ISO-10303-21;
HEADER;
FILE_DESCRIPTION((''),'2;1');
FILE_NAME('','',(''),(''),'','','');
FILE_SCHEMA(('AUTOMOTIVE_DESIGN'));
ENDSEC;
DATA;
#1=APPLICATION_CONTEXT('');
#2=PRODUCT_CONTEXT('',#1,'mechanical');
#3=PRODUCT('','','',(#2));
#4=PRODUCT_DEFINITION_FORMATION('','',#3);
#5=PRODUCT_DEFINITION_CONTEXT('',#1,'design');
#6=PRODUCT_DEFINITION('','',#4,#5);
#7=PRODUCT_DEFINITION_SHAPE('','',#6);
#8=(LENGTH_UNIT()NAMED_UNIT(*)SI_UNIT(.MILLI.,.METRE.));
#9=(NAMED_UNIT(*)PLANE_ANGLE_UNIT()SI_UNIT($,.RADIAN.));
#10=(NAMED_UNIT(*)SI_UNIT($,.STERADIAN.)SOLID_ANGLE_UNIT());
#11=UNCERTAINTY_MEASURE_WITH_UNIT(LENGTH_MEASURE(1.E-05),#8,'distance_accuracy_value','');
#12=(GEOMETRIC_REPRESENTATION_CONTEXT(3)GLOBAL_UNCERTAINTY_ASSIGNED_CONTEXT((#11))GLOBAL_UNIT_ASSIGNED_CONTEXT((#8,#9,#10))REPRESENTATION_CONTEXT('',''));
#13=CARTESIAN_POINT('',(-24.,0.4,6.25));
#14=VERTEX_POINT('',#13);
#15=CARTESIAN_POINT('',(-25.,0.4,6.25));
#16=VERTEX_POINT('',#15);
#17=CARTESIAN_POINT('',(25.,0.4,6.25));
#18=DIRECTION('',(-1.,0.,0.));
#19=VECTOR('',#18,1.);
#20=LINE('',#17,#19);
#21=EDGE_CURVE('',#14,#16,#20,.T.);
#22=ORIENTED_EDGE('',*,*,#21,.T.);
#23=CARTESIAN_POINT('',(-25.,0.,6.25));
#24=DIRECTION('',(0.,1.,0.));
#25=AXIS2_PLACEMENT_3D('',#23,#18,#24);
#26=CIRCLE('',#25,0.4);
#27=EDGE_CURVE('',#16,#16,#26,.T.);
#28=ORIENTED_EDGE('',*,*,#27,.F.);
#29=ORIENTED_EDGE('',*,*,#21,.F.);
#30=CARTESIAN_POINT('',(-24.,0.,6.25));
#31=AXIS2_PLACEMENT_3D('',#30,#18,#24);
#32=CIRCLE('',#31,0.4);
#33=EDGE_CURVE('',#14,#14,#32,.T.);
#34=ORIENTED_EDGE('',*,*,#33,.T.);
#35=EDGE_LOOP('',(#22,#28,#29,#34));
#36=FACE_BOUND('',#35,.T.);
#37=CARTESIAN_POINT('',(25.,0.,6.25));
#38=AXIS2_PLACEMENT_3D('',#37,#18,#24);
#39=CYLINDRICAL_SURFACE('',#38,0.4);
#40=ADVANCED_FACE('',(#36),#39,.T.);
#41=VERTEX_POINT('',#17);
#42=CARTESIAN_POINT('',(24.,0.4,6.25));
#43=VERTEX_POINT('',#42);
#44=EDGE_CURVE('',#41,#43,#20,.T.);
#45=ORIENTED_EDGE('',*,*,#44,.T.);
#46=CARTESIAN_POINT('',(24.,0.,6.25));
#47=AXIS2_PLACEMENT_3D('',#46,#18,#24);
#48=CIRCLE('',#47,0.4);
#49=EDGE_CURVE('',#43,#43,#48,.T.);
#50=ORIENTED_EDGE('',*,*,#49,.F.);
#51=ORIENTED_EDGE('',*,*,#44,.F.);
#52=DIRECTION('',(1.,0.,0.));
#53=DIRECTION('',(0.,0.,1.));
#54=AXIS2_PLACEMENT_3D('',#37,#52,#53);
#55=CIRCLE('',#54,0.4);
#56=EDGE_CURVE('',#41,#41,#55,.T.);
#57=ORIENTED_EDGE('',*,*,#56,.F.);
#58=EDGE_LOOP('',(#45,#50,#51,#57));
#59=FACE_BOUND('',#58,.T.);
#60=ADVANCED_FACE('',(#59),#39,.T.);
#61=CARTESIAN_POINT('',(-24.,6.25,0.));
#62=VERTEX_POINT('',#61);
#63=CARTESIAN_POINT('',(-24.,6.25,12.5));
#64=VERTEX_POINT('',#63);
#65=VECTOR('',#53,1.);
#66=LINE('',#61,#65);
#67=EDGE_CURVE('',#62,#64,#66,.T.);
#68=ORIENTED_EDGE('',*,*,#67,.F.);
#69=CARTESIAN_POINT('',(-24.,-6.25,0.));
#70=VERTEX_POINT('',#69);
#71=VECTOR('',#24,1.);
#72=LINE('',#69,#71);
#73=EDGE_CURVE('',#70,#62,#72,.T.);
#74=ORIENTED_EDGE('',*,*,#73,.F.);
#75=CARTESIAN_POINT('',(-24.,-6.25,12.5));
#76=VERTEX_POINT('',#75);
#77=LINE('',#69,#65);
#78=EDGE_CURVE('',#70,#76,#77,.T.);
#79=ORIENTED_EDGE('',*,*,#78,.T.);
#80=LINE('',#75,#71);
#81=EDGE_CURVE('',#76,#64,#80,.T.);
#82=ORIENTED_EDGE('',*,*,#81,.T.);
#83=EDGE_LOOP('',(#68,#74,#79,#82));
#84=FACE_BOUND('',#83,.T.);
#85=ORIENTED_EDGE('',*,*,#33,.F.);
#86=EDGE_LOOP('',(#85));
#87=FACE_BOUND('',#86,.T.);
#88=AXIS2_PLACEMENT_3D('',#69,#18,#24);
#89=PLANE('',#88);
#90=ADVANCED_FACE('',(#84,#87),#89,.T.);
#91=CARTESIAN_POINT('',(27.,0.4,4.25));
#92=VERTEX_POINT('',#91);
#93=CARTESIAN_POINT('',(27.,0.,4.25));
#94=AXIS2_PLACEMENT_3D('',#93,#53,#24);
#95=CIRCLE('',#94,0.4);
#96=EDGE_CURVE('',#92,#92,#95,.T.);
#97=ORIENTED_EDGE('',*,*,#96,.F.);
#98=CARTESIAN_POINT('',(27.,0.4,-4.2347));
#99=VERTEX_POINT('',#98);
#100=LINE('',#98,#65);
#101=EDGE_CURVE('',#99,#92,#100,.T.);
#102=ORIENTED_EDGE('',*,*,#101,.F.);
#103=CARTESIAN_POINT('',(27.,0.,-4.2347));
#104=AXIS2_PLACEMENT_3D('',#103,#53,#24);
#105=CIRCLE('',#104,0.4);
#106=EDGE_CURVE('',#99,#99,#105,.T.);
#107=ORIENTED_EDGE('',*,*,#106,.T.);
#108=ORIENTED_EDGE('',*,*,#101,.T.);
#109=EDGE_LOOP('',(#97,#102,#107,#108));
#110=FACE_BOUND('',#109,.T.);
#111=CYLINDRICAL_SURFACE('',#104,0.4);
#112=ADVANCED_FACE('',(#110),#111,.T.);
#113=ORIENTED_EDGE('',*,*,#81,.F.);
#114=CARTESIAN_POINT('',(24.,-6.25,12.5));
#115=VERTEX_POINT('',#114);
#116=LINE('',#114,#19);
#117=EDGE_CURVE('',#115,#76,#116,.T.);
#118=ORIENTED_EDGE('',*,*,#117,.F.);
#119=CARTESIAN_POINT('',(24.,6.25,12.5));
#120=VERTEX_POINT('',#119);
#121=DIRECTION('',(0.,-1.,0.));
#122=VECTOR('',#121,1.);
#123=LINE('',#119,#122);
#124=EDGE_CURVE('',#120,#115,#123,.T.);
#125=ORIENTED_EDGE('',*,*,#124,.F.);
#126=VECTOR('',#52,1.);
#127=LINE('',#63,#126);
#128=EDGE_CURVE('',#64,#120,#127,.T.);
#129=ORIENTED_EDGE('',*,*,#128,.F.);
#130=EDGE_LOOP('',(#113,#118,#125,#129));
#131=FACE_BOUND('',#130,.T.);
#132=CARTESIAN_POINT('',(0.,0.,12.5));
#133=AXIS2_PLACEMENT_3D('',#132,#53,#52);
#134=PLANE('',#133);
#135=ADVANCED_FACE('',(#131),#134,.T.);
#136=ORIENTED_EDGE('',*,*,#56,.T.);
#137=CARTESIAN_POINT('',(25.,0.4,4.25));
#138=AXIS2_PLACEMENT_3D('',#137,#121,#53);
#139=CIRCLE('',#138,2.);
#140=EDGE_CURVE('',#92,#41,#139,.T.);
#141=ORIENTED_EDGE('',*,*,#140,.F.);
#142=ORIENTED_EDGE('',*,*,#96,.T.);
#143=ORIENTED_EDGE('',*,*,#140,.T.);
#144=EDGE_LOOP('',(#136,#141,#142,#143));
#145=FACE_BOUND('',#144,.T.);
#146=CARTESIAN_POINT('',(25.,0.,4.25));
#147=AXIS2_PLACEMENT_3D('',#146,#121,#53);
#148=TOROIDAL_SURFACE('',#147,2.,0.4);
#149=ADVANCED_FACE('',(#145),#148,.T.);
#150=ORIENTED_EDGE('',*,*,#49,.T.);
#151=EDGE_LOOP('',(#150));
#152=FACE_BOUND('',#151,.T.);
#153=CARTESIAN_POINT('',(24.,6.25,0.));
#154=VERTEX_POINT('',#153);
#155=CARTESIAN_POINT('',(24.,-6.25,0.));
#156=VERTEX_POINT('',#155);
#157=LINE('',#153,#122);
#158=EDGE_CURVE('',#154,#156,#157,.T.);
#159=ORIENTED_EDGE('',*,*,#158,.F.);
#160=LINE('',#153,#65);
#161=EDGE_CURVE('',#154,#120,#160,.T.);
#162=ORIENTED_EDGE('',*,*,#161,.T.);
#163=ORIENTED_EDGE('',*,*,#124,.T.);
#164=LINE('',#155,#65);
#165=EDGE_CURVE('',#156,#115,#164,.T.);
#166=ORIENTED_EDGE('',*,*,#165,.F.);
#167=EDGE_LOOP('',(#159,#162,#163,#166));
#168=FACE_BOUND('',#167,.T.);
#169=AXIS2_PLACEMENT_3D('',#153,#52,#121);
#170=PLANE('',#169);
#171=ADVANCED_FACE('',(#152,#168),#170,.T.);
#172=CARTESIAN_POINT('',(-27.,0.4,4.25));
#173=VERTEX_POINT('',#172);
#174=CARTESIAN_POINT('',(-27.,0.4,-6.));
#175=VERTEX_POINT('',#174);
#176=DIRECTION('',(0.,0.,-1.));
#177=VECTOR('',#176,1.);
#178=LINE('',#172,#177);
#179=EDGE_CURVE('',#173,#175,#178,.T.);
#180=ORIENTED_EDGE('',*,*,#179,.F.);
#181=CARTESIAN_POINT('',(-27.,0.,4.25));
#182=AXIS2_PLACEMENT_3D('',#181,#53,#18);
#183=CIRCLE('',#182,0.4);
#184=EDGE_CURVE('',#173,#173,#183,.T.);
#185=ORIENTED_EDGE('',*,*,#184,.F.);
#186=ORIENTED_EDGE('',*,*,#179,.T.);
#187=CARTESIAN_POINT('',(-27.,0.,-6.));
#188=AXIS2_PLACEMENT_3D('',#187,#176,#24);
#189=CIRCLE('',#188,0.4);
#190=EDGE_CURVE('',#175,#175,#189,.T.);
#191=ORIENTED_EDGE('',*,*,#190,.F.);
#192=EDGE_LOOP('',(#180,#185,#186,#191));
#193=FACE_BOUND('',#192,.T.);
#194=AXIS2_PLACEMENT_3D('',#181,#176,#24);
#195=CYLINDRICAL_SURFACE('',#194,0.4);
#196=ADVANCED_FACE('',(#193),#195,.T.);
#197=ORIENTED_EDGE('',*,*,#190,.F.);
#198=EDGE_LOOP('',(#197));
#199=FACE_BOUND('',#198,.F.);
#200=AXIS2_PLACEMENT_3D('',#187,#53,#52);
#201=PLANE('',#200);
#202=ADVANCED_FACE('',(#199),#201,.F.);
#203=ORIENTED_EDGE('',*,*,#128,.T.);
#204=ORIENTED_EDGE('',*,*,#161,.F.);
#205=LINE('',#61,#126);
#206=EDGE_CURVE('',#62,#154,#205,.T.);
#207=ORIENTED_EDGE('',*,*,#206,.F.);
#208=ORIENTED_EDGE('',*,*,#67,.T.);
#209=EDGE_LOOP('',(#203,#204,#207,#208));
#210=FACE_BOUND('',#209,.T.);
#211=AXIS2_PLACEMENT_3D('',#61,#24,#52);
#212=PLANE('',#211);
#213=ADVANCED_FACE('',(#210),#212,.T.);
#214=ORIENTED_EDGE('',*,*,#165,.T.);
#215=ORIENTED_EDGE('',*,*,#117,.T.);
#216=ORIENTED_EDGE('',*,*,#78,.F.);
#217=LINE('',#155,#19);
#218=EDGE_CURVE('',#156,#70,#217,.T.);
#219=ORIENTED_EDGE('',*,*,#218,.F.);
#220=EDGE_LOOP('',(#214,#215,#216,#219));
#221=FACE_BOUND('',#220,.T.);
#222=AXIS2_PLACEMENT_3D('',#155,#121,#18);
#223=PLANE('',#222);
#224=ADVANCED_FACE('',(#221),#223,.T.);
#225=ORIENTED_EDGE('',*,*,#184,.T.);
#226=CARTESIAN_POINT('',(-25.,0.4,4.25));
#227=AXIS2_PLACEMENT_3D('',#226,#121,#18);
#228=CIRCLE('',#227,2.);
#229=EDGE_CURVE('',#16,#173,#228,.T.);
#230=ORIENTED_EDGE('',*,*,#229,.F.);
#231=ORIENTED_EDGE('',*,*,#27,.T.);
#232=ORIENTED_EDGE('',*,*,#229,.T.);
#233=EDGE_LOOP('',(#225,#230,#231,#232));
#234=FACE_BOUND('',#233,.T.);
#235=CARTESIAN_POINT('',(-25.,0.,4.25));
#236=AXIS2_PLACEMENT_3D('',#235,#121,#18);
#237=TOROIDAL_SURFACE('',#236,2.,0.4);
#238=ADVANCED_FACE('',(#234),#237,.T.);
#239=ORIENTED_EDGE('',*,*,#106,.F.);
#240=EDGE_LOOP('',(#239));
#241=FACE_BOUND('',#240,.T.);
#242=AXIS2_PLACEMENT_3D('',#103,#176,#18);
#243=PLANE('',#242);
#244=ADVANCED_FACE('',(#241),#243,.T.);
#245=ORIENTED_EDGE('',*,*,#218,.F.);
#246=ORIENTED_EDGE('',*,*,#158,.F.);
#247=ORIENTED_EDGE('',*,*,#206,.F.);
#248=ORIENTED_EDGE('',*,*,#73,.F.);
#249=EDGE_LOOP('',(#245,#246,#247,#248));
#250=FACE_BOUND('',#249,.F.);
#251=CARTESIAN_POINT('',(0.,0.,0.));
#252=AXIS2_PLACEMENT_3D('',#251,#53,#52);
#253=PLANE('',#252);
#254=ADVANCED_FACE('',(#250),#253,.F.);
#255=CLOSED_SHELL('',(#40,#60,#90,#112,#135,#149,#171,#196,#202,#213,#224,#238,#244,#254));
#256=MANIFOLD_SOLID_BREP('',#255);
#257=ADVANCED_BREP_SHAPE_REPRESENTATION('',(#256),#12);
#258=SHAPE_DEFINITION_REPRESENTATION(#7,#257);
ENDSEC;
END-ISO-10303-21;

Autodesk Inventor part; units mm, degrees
ref_plane "YZ Plane" through (0, 0, 0) normal (1, 0, 0) x (0, 1, 0)
ref_plane "XZ Plane" through (0, 0, 0) normal (0, 1, 0) x (-1, 0, 0)
ref_plane "XY Plane" through (0, 0, 0) normal (0, 0, 1) x (1, 0, 0)
sketch "Boceto39" plane through (0, 0, 0) normal (0, 0, 1) x (1, 0, 0)
  line L0 (-24, 6.25) -> (24, 6.25)
  line L1 (24, 6.25) -> (24, -6.25)
  line L2 (24, -6.25) -> (-24, -6.25)
  line L3 (-24, -6.25) -> (-24, 6.25)
  point P0 (0, 0)
  point P1 (0, 6.25)
  point P2 (-24, 0)
  dimension "d373" = 48
  dimension "d374" = 12.5
extrude "Extrusión13" add sketch "Boceto39" along normal blind 12.5
sketch "Boceto40" plane through (0, 0, 0) normal (0, 1, 0) x (-1, 0, 0)
  line L0 (24, 0) -> (-24, 0) projected
  line L1 (24, 0) -> (24, 12.5) projected
  line L2 (-24, 12.5) -> (24, 12.5) projected
  line L3 (-24, 0) -> (-24, 12.5) projected
  line L4 (-27, -4.2347) -> (-27, 4.25)
  line L5 (-25, 6.25) -> (25, 6.25)
  line L6 (27, 4.25) -> (27, -6)
  arc A0 (27, 4.25) -> (25, 6.25) centre (25, 4.25) ccw
  arc A1 (-25, 6.25) -> (-27, 4.25) centre (-25, 4.25) ccw
  point P0 (0, 0)
  point P1 (0, 6.25)
  point P2 (24, 6.25)
  point P3 (0, 0)
  dimension "d377" = 27
  dimension "d378" = 2
  dimension "d379" = 6
sketch "Boceto41" plane through (0, 0, 0) normal (1, 0, 0) x (0, 1, 0)
  circle A0 centre (0, 6.25) radius 0.4
  point P0 (0, 0)
  dimension "d380" = 0.8
sweep "Barrido1" add profiles "Boceto41" path "Boceto40" path curves L6 A0 L5 A1 L4
properties part number "AXIAL-POWER-5W"
